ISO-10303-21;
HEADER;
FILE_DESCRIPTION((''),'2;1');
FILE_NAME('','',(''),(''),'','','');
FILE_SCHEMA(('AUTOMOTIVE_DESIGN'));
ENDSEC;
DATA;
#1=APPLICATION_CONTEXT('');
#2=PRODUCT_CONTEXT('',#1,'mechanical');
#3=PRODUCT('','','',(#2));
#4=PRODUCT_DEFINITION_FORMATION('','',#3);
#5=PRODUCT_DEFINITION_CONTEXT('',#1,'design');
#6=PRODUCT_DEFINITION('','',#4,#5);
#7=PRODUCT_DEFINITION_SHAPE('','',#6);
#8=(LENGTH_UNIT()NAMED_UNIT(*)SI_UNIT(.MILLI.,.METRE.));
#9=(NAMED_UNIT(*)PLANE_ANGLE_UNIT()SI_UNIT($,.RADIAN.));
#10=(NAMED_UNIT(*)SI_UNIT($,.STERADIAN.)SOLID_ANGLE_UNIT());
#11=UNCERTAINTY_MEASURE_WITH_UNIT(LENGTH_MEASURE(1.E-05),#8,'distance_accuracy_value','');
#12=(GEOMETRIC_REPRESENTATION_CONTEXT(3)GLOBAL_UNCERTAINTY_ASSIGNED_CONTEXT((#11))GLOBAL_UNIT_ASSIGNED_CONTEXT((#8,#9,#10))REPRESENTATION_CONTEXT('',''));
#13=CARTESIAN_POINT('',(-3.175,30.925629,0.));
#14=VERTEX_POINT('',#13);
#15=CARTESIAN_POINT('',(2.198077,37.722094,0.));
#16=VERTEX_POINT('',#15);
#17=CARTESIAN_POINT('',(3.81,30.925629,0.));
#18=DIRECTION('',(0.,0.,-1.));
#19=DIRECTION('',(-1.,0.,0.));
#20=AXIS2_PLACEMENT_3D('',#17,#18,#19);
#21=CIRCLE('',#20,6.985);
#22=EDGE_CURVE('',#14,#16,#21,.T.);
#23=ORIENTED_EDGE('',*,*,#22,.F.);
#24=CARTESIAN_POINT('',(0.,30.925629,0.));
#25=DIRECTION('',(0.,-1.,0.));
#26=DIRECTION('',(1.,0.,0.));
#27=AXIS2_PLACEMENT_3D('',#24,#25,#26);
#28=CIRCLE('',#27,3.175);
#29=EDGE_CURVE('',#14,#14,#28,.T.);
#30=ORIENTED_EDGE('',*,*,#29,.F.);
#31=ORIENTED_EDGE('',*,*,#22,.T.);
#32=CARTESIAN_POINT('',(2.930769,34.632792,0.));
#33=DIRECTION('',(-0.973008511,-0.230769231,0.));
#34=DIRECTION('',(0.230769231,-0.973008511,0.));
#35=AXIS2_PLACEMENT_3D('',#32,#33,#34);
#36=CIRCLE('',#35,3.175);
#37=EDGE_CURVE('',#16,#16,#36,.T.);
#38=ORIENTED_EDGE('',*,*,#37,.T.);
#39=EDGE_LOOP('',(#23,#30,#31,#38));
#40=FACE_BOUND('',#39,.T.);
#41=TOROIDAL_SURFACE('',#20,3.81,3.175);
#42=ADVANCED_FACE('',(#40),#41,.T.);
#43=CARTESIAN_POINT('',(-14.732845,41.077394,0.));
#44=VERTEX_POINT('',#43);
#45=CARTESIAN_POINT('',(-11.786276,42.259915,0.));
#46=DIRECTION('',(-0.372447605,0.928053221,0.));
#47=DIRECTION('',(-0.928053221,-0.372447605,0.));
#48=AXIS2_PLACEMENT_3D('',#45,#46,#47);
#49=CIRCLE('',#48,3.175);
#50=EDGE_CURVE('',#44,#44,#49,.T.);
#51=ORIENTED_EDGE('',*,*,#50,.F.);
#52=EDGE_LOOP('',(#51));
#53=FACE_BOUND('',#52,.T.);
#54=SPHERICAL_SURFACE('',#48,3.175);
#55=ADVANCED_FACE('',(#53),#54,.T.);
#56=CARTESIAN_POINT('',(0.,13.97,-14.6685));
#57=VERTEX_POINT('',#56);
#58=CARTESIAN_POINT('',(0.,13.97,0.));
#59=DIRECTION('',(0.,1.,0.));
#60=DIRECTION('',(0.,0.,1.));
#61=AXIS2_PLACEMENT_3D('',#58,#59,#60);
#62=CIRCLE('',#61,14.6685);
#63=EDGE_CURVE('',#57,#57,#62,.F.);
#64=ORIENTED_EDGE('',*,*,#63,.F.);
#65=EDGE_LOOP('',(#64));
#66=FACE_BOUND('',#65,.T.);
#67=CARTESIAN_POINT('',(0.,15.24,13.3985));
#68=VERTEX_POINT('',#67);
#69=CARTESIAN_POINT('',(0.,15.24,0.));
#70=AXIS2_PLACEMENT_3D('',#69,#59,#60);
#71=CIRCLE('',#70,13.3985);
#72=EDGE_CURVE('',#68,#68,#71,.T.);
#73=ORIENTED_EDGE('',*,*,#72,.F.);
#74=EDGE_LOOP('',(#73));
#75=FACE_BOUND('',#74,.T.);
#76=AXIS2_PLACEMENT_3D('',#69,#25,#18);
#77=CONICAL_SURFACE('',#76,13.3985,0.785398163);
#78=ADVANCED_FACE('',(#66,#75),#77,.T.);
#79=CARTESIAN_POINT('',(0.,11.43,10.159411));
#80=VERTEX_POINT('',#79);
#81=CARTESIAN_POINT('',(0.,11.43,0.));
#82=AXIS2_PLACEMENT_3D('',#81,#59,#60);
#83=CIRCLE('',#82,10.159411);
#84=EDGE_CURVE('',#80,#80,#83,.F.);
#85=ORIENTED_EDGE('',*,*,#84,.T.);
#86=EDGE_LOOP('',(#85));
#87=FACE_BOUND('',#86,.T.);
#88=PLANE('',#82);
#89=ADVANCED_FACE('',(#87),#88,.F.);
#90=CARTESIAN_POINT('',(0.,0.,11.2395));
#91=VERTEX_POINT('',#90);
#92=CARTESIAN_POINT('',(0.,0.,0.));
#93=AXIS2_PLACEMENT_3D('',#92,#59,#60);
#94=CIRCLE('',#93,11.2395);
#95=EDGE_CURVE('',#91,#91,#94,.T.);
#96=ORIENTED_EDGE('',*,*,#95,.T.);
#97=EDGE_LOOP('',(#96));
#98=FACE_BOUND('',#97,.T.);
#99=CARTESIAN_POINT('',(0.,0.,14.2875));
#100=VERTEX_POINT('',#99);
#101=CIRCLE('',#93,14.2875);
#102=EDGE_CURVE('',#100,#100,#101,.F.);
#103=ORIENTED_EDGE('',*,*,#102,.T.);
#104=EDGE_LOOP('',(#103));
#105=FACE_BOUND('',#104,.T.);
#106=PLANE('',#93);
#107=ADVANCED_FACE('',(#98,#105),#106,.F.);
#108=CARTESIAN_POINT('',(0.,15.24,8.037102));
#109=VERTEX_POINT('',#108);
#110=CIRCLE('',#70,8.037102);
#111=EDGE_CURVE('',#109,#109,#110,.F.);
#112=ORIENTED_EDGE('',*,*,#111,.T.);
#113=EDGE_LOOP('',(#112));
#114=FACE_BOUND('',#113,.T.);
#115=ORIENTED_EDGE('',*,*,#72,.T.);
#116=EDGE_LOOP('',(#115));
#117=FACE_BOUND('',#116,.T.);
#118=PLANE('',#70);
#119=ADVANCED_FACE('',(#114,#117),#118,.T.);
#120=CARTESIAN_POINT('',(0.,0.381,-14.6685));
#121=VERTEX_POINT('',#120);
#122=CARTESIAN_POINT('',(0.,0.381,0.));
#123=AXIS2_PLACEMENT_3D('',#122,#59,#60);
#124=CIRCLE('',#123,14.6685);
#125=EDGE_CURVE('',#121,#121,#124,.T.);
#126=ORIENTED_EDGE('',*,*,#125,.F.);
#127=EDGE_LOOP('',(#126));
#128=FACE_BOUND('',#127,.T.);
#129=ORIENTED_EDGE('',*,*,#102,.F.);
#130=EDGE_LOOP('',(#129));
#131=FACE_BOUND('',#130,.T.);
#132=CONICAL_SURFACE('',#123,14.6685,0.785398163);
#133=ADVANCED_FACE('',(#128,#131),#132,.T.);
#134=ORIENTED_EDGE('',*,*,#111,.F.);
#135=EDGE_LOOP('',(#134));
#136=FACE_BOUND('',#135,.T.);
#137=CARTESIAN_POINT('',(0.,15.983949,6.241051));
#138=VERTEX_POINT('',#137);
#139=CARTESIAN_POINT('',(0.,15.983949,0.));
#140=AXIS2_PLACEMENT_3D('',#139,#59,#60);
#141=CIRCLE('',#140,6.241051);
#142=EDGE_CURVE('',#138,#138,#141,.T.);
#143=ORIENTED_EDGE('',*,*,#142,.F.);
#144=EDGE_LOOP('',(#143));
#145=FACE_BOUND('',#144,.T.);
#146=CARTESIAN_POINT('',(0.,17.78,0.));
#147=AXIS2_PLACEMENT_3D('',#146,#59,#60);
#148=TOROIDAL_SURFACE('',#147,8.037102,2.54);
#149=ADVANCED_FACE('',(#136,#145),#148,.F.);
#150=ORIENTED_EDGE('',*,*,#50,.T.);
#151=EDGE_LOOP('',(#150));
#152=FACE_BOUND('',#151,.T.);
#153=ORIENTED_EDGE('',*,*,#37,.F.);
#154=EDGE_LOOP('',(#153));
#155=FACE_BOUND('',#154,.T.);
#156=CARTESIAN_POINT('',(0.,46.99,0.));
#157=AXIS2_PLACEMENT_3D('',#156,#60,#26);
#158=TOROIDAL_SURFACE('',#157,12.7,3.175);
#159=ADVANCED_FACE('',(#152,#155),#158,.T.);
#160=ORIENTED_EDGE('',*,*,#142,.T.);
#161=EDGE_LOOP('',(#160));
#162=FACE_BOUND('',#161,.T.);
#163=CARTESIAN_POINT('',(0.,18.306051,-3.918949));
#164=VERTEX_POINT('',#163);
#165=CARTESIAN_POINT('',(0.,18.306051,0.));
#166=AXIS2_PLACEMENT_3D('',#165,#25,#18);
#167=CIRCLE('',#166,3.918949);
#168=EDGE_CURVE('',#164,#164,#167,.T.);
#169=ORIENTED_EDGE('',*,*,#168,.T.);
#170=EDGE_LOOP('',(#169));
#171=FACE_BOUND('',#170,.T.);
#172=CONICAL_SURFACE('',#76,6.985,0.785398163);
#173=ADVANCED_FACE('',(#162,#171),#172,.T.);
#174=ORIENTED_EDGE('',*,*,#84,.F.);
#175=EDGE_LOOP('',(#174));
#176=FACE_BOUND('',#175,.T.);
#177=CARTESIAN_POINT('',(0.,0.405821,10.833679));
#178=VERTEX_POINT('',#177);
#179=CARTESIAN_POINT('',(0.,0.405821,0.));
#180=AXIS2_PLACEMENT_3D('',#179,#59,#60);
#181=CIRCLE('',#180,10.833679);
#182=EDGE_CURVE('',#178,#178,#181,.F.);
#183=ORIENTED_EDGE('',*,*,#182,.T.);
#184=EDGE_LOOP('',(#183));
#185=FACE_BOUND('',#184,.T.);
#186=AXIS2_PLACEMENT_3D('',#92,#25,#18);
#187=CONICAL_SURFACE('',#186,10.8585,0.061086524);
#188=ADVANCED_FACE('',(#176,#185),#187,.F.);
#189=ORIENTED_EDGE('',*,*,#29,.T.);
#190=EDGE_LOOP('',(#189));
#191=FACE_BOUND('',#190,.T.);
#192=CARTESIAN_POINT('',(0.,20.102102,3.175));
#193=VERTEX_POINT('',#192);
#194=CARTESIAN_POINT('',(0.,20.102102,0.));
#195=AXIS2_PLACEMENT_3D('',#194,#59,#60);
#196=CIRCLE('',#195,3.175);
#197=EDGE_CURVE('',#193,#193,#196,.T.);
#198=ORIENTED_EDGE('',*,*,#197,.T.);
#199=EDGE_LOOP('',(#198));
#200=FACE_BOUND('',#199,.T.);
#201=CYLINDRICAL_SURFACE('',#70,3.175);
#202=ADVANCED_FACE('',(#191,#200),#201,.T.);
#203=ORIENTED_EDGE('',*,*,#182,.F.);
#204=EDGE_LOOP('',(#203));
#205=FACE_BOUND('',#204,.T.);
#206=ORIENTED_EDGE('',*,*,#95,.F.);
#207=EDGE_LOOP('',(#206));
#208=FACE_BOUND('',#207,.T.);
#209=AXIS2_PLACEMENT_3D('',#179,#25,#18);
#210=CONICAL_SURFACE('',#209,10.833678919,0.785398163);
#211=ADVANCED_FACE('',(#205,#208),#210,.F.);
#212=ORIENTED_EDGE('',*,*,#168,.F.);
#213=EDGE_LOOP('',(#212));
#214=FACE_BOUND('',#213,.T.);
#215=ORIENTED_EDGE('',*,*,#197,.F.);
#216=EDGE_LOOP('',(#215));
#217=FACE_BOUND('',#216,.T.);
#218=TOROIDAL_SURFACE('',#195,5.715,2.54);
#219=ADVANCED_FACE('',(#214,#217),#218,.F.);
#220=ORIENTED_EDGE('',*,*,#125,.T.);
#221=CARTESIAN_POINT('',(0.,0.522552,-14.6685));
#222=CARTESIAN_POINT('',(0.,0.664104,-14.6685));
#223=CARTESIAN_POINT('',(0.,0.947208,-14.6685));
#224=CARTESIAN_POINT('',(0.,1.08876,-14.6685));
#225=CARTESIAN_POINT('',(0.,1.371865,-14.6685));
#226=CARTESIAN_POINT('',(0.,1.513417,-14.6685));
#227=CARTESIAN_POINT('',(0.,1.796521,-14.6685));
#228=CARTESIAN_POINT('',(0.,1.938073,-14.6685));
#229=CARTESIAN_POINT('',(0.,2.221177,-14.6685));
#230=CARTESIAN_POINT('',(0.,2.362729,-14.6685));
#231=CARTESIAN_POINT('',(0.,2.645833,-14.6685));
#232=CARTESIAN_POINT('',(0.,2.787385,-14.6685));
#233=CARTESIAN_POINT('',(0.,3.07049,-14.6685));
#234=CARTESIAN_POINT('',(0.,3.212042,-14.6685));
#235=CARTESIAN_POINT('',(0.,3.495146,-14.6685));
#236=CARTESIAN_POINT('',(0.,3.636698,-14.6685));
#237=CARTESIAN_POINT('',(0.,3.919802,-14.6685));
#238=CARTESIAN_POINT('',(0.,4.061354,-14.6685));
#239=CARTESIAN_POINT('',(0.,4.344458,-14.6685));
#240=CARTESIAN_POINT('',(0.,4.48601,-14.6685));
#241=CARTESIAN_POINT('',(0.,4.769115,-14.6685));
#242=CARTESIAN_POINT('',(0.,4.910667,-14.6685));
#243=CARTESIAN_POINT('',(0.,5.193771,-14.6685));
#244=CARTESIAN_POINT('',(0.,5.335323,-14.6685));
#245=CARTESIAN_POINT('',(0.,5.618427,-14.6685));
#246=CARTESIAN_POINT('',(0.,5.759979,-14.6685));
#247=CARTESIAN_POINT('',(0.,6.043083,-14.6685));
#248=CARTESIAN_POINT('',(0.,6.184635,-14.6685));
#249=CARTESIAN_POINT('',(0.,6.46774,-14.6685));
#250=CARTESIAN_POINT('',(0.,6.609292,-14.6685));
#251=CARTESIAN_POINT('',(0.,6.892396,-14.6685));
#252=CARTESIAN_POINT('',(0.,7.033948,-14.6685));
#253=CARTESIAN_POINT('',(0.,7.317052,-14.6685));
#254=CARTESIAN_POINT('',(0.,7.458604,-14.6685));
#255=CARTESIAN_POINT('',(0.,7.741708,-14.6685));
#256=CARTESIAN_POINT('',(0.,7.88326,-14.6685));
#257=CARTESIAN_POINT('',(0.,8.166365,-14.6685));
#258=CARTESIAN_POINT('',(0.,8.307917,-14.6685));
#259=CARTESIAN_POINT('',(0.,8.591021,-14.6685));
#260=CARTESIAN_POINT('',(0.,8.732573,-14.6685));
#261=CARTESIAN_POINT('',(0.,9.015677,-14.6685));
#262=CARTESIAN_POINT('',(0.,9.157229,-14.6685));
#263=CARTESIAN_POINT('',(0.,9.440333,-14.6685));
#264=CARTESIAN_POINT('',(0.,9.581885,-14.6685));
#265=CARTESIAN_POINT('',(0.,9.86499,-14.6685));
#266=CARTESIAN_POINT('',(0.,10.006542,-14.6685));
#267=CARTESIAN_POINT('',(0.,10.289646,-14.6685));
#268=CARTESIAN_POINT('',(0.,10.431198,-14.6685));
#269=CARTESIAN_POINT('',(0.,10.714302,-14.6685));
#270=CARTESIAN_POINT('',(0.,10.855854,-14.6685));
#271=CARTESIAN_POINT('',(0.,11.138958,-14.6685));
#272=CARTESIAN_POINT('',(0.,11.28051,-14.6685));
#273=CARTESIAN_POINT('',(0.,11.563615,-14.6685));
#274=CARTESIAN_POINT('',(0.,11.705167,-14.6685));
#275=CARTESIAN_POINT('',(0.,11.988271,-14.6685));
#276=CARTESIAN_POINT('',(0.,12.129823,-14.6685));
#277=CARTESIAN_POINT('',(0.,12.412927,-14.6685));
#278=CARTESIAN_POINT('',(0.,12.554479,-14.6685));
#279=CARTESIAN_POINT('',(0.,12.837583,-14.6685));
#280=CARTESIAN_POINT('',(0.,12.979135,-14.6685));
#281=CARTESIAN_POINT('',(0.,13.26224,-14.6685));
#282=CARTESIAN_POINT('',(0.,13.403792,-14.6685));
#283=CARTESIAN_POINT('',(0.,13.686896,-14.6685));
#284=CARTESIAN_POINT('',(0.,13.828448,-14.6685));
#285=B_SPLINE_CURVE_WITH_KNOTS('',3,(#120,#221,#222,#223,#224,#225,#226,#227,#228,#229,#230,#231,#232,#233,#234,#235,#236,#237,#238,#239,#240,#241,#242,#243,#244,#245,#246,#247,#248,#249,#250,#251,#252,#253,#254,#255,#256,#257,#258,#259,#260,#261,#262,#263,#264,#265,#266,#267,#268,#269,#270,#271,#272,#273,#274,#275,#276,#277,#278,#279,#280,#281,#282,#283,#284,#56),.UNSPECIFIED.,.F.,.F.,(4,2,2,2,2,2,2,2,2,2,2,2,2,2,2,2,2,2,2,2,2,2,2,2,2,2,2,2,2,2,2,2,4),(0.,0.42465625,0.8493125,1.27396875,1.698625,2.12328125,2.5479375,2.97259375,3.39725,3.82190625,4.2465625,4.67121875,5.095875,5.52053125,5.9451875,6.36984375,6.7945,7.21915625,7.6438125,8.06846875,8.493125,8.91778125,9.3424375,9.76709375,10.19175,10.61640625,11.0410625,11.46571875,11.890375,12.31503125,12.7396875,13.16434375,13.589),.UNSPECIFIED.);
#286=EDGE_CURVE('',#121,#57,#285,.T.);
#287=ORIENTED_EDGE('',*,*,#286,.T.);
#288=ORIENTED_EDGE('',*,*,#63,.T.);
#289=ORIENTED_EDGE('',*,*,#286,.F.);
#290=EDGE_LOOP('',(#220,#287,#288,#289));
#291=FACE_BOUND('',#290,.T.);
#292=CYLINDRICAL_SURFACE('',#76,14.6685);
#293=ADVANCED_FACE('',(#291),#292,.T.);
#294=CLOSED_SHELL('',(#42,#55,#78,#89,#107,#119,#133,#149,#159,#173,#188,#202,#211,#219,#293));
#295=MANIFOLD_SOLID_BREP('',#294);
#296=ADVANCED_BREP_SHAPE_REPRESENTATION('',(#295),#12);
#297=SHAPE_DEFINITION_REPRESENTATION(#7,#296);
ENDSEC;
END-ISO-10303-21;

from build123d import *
from OCP.BRepFilletAPI import BRepFilletAPI_MakeChamfer

# Parameters (mm, degrees)
SKETCH1_R           = 14.6685
BOSS_EXTRUDE1_DEPTH = 15.24
SKETCH2_R           = 10.8585
CUT_EXTRUDE1_DEPTH  = 11.43
CUT_EXTRUDE1_DRAFT  = -3.5
SWEEP1_PROFILE_R    = 3.175
DOME1_FACE_RADIUS   = 3.175
DOME1_HEIGHT        = 3.175
CHAMFER1_SIZE       = 1.27
CHAMFER2_SIZE       = 0.381
CHAMFER2_SIZE2      = 0.406579433
CHAMFER3_SIZE       = 3.81
FILLET1_R           = 2.54


with BuildPart() as part:
    # Sketch1 → Boss-Extrude1 (new body)
    with BuildSketch(Plane(origin=(0, 0, 0), x_dir=(1, 0, 0), z_dir=(0, 1, 0))):
        with Locations(Location((0, 0, 0), (0, 0, 90))):
            Circle(SKETCH1_R)
    extrude(amount=BOSS_EXTRUDE1_DEPTH)


with BuildPart() as cut_extrude1_tool:
    # Sketch2 → Cut-Extrude1 (with draft: the straight prism first)
    with BuildSketch(Plane.XZ):
        Circle(SKETCH2_R)
    extrude(amount=-CUT_EXTRUDE1_DEPTH)
    # Cut-Extrude1: the draft: its side faces are tilted about the plane it starts from
    cut_extrude1_sides = [cut_extrude1_tool.faces().sort_by_distance(p)[0] for p in [
        (-10.8585, 5.715, 0),
    ]]
    draft(cut_extrude1_sides, Plane.XZ, CUT_EXTRUDE1_DRAFT)


with BuildPart() as part_1:
    add(part.part)

    # Cut-Extrude1: cut by cut_extrude1_tool
    add(cut_extrude1_tool.part, mode=Mode.SUBTRACT)

    # Sweep1: sweep along a path in Sketch3
    with BuildLine(Plane.XY) as sweep1_path:
        Line((0, 15.24), (0, 30.925629486))
        ThreePointArc((0, 30.925629486), (0.8211901, 33.28849118), (2.930769231, 34.632791913))
        ThreePointArc((2.930769231, 34.632791913), (5.843650644, 58.265714929), (-11.786275909, 42.259915412))
    # Sweep1 profile (on start of the path) → Sweep1 (sweep)
    with BuildSketch(Plane.ZX.offset(15.24)):
        Circle(SWEEP1_PROFILE_R)
    sweep(path=sweep1_path.line)

    # Dome1: a dome of height H over a round flat face of radius A is a cap of a sphere of radius (A * A + H * H) / (2 * H)
    dome1_r = (DOME1_FACE_RADIUS * DOME1_FACE_RADIUS + DOME1_HEIGHT * DOME1_HEIGHT) / (2 * DOME1_HEIGHT)
    dome1_base = Plane((-11.786275909, 42.259915412, 0), z_dir=(0.372447605321, -0.928053221152, 0))
    with Locations(dome1_base.offset(DOME1_HEIGHT - dome1_r)):
        dome1_ball = Sphere(dome1_r, mode=Mode.PRIVATE)
    add(split(dome1_ball, bisect_by=dome1_base, keep=Keep.TOP, mode=Mode.PRIVATE))

    # Chamfer1
    chamfer1_edges = [part_1.edges().sort_by_distance(p)[0] for p in [
        (0, 15.24, 14.6685),
    ]]
    chamfer(chamfer1_edges, length=CHAMFER1_SIZE)

    # Chamfer2: one chamfer whose edges measure the first distance from different faces: ONE call of the kernel's chamfer builder (chamfer() names one face for all edges)
    chamfer2_edges_1 = [part_1.edges().sort_by_distance(p)[0] for p in [
        (0, 0, 14.6685),
    ]]
    chamfer2_edges_2 = [part_1.edges().sort_by_distance(p)[0] for p in [
        (-10.8585, 0, 0),
    ]]
    chamfer2_side_2 = [part_1.faces().sort_by_distance(p)[0] for p in [
        (0, 0, 14.253612167),
    ]]
    chamfer2 = BRepFilletAPI_MakeChamfer(part_1.part.solid().wrapped)
    for e in chamfer2_edges_1:
        chamfer2.Add(CHAMFER2_SIZE, e.wrapped)
    for e in chamfer2_edges_2:
        chamfer2.Add(CHAMFER2_SIZE, CHAMFER2_SIZE2, e.wrapped, chamfer2_side_2[0].wrapped)  # the first distance lies on this face
    add(Compound.cast(chamfer2.Shape()), mode=Mode.REPLACE)

    # Chamfer3
    chamfer3_edges = [part_1.edges().sort_by_distance(p)[0] for p in [
        (0, 15.24, -3.175),
    ]]
    chamfer(chamfer3_edges, length=CHAMFER3_SIZE)

    # Fillet1
    fillet1_edges = [part_1.edges().sort_by_distance(p)[0] for p in [
        (0, 15.24, -6.985),
        (0, 19.05, -3.175),
    ]]
    fillet(fillet1_edges, radius=FILLET1_R)


solid = part_1.part
